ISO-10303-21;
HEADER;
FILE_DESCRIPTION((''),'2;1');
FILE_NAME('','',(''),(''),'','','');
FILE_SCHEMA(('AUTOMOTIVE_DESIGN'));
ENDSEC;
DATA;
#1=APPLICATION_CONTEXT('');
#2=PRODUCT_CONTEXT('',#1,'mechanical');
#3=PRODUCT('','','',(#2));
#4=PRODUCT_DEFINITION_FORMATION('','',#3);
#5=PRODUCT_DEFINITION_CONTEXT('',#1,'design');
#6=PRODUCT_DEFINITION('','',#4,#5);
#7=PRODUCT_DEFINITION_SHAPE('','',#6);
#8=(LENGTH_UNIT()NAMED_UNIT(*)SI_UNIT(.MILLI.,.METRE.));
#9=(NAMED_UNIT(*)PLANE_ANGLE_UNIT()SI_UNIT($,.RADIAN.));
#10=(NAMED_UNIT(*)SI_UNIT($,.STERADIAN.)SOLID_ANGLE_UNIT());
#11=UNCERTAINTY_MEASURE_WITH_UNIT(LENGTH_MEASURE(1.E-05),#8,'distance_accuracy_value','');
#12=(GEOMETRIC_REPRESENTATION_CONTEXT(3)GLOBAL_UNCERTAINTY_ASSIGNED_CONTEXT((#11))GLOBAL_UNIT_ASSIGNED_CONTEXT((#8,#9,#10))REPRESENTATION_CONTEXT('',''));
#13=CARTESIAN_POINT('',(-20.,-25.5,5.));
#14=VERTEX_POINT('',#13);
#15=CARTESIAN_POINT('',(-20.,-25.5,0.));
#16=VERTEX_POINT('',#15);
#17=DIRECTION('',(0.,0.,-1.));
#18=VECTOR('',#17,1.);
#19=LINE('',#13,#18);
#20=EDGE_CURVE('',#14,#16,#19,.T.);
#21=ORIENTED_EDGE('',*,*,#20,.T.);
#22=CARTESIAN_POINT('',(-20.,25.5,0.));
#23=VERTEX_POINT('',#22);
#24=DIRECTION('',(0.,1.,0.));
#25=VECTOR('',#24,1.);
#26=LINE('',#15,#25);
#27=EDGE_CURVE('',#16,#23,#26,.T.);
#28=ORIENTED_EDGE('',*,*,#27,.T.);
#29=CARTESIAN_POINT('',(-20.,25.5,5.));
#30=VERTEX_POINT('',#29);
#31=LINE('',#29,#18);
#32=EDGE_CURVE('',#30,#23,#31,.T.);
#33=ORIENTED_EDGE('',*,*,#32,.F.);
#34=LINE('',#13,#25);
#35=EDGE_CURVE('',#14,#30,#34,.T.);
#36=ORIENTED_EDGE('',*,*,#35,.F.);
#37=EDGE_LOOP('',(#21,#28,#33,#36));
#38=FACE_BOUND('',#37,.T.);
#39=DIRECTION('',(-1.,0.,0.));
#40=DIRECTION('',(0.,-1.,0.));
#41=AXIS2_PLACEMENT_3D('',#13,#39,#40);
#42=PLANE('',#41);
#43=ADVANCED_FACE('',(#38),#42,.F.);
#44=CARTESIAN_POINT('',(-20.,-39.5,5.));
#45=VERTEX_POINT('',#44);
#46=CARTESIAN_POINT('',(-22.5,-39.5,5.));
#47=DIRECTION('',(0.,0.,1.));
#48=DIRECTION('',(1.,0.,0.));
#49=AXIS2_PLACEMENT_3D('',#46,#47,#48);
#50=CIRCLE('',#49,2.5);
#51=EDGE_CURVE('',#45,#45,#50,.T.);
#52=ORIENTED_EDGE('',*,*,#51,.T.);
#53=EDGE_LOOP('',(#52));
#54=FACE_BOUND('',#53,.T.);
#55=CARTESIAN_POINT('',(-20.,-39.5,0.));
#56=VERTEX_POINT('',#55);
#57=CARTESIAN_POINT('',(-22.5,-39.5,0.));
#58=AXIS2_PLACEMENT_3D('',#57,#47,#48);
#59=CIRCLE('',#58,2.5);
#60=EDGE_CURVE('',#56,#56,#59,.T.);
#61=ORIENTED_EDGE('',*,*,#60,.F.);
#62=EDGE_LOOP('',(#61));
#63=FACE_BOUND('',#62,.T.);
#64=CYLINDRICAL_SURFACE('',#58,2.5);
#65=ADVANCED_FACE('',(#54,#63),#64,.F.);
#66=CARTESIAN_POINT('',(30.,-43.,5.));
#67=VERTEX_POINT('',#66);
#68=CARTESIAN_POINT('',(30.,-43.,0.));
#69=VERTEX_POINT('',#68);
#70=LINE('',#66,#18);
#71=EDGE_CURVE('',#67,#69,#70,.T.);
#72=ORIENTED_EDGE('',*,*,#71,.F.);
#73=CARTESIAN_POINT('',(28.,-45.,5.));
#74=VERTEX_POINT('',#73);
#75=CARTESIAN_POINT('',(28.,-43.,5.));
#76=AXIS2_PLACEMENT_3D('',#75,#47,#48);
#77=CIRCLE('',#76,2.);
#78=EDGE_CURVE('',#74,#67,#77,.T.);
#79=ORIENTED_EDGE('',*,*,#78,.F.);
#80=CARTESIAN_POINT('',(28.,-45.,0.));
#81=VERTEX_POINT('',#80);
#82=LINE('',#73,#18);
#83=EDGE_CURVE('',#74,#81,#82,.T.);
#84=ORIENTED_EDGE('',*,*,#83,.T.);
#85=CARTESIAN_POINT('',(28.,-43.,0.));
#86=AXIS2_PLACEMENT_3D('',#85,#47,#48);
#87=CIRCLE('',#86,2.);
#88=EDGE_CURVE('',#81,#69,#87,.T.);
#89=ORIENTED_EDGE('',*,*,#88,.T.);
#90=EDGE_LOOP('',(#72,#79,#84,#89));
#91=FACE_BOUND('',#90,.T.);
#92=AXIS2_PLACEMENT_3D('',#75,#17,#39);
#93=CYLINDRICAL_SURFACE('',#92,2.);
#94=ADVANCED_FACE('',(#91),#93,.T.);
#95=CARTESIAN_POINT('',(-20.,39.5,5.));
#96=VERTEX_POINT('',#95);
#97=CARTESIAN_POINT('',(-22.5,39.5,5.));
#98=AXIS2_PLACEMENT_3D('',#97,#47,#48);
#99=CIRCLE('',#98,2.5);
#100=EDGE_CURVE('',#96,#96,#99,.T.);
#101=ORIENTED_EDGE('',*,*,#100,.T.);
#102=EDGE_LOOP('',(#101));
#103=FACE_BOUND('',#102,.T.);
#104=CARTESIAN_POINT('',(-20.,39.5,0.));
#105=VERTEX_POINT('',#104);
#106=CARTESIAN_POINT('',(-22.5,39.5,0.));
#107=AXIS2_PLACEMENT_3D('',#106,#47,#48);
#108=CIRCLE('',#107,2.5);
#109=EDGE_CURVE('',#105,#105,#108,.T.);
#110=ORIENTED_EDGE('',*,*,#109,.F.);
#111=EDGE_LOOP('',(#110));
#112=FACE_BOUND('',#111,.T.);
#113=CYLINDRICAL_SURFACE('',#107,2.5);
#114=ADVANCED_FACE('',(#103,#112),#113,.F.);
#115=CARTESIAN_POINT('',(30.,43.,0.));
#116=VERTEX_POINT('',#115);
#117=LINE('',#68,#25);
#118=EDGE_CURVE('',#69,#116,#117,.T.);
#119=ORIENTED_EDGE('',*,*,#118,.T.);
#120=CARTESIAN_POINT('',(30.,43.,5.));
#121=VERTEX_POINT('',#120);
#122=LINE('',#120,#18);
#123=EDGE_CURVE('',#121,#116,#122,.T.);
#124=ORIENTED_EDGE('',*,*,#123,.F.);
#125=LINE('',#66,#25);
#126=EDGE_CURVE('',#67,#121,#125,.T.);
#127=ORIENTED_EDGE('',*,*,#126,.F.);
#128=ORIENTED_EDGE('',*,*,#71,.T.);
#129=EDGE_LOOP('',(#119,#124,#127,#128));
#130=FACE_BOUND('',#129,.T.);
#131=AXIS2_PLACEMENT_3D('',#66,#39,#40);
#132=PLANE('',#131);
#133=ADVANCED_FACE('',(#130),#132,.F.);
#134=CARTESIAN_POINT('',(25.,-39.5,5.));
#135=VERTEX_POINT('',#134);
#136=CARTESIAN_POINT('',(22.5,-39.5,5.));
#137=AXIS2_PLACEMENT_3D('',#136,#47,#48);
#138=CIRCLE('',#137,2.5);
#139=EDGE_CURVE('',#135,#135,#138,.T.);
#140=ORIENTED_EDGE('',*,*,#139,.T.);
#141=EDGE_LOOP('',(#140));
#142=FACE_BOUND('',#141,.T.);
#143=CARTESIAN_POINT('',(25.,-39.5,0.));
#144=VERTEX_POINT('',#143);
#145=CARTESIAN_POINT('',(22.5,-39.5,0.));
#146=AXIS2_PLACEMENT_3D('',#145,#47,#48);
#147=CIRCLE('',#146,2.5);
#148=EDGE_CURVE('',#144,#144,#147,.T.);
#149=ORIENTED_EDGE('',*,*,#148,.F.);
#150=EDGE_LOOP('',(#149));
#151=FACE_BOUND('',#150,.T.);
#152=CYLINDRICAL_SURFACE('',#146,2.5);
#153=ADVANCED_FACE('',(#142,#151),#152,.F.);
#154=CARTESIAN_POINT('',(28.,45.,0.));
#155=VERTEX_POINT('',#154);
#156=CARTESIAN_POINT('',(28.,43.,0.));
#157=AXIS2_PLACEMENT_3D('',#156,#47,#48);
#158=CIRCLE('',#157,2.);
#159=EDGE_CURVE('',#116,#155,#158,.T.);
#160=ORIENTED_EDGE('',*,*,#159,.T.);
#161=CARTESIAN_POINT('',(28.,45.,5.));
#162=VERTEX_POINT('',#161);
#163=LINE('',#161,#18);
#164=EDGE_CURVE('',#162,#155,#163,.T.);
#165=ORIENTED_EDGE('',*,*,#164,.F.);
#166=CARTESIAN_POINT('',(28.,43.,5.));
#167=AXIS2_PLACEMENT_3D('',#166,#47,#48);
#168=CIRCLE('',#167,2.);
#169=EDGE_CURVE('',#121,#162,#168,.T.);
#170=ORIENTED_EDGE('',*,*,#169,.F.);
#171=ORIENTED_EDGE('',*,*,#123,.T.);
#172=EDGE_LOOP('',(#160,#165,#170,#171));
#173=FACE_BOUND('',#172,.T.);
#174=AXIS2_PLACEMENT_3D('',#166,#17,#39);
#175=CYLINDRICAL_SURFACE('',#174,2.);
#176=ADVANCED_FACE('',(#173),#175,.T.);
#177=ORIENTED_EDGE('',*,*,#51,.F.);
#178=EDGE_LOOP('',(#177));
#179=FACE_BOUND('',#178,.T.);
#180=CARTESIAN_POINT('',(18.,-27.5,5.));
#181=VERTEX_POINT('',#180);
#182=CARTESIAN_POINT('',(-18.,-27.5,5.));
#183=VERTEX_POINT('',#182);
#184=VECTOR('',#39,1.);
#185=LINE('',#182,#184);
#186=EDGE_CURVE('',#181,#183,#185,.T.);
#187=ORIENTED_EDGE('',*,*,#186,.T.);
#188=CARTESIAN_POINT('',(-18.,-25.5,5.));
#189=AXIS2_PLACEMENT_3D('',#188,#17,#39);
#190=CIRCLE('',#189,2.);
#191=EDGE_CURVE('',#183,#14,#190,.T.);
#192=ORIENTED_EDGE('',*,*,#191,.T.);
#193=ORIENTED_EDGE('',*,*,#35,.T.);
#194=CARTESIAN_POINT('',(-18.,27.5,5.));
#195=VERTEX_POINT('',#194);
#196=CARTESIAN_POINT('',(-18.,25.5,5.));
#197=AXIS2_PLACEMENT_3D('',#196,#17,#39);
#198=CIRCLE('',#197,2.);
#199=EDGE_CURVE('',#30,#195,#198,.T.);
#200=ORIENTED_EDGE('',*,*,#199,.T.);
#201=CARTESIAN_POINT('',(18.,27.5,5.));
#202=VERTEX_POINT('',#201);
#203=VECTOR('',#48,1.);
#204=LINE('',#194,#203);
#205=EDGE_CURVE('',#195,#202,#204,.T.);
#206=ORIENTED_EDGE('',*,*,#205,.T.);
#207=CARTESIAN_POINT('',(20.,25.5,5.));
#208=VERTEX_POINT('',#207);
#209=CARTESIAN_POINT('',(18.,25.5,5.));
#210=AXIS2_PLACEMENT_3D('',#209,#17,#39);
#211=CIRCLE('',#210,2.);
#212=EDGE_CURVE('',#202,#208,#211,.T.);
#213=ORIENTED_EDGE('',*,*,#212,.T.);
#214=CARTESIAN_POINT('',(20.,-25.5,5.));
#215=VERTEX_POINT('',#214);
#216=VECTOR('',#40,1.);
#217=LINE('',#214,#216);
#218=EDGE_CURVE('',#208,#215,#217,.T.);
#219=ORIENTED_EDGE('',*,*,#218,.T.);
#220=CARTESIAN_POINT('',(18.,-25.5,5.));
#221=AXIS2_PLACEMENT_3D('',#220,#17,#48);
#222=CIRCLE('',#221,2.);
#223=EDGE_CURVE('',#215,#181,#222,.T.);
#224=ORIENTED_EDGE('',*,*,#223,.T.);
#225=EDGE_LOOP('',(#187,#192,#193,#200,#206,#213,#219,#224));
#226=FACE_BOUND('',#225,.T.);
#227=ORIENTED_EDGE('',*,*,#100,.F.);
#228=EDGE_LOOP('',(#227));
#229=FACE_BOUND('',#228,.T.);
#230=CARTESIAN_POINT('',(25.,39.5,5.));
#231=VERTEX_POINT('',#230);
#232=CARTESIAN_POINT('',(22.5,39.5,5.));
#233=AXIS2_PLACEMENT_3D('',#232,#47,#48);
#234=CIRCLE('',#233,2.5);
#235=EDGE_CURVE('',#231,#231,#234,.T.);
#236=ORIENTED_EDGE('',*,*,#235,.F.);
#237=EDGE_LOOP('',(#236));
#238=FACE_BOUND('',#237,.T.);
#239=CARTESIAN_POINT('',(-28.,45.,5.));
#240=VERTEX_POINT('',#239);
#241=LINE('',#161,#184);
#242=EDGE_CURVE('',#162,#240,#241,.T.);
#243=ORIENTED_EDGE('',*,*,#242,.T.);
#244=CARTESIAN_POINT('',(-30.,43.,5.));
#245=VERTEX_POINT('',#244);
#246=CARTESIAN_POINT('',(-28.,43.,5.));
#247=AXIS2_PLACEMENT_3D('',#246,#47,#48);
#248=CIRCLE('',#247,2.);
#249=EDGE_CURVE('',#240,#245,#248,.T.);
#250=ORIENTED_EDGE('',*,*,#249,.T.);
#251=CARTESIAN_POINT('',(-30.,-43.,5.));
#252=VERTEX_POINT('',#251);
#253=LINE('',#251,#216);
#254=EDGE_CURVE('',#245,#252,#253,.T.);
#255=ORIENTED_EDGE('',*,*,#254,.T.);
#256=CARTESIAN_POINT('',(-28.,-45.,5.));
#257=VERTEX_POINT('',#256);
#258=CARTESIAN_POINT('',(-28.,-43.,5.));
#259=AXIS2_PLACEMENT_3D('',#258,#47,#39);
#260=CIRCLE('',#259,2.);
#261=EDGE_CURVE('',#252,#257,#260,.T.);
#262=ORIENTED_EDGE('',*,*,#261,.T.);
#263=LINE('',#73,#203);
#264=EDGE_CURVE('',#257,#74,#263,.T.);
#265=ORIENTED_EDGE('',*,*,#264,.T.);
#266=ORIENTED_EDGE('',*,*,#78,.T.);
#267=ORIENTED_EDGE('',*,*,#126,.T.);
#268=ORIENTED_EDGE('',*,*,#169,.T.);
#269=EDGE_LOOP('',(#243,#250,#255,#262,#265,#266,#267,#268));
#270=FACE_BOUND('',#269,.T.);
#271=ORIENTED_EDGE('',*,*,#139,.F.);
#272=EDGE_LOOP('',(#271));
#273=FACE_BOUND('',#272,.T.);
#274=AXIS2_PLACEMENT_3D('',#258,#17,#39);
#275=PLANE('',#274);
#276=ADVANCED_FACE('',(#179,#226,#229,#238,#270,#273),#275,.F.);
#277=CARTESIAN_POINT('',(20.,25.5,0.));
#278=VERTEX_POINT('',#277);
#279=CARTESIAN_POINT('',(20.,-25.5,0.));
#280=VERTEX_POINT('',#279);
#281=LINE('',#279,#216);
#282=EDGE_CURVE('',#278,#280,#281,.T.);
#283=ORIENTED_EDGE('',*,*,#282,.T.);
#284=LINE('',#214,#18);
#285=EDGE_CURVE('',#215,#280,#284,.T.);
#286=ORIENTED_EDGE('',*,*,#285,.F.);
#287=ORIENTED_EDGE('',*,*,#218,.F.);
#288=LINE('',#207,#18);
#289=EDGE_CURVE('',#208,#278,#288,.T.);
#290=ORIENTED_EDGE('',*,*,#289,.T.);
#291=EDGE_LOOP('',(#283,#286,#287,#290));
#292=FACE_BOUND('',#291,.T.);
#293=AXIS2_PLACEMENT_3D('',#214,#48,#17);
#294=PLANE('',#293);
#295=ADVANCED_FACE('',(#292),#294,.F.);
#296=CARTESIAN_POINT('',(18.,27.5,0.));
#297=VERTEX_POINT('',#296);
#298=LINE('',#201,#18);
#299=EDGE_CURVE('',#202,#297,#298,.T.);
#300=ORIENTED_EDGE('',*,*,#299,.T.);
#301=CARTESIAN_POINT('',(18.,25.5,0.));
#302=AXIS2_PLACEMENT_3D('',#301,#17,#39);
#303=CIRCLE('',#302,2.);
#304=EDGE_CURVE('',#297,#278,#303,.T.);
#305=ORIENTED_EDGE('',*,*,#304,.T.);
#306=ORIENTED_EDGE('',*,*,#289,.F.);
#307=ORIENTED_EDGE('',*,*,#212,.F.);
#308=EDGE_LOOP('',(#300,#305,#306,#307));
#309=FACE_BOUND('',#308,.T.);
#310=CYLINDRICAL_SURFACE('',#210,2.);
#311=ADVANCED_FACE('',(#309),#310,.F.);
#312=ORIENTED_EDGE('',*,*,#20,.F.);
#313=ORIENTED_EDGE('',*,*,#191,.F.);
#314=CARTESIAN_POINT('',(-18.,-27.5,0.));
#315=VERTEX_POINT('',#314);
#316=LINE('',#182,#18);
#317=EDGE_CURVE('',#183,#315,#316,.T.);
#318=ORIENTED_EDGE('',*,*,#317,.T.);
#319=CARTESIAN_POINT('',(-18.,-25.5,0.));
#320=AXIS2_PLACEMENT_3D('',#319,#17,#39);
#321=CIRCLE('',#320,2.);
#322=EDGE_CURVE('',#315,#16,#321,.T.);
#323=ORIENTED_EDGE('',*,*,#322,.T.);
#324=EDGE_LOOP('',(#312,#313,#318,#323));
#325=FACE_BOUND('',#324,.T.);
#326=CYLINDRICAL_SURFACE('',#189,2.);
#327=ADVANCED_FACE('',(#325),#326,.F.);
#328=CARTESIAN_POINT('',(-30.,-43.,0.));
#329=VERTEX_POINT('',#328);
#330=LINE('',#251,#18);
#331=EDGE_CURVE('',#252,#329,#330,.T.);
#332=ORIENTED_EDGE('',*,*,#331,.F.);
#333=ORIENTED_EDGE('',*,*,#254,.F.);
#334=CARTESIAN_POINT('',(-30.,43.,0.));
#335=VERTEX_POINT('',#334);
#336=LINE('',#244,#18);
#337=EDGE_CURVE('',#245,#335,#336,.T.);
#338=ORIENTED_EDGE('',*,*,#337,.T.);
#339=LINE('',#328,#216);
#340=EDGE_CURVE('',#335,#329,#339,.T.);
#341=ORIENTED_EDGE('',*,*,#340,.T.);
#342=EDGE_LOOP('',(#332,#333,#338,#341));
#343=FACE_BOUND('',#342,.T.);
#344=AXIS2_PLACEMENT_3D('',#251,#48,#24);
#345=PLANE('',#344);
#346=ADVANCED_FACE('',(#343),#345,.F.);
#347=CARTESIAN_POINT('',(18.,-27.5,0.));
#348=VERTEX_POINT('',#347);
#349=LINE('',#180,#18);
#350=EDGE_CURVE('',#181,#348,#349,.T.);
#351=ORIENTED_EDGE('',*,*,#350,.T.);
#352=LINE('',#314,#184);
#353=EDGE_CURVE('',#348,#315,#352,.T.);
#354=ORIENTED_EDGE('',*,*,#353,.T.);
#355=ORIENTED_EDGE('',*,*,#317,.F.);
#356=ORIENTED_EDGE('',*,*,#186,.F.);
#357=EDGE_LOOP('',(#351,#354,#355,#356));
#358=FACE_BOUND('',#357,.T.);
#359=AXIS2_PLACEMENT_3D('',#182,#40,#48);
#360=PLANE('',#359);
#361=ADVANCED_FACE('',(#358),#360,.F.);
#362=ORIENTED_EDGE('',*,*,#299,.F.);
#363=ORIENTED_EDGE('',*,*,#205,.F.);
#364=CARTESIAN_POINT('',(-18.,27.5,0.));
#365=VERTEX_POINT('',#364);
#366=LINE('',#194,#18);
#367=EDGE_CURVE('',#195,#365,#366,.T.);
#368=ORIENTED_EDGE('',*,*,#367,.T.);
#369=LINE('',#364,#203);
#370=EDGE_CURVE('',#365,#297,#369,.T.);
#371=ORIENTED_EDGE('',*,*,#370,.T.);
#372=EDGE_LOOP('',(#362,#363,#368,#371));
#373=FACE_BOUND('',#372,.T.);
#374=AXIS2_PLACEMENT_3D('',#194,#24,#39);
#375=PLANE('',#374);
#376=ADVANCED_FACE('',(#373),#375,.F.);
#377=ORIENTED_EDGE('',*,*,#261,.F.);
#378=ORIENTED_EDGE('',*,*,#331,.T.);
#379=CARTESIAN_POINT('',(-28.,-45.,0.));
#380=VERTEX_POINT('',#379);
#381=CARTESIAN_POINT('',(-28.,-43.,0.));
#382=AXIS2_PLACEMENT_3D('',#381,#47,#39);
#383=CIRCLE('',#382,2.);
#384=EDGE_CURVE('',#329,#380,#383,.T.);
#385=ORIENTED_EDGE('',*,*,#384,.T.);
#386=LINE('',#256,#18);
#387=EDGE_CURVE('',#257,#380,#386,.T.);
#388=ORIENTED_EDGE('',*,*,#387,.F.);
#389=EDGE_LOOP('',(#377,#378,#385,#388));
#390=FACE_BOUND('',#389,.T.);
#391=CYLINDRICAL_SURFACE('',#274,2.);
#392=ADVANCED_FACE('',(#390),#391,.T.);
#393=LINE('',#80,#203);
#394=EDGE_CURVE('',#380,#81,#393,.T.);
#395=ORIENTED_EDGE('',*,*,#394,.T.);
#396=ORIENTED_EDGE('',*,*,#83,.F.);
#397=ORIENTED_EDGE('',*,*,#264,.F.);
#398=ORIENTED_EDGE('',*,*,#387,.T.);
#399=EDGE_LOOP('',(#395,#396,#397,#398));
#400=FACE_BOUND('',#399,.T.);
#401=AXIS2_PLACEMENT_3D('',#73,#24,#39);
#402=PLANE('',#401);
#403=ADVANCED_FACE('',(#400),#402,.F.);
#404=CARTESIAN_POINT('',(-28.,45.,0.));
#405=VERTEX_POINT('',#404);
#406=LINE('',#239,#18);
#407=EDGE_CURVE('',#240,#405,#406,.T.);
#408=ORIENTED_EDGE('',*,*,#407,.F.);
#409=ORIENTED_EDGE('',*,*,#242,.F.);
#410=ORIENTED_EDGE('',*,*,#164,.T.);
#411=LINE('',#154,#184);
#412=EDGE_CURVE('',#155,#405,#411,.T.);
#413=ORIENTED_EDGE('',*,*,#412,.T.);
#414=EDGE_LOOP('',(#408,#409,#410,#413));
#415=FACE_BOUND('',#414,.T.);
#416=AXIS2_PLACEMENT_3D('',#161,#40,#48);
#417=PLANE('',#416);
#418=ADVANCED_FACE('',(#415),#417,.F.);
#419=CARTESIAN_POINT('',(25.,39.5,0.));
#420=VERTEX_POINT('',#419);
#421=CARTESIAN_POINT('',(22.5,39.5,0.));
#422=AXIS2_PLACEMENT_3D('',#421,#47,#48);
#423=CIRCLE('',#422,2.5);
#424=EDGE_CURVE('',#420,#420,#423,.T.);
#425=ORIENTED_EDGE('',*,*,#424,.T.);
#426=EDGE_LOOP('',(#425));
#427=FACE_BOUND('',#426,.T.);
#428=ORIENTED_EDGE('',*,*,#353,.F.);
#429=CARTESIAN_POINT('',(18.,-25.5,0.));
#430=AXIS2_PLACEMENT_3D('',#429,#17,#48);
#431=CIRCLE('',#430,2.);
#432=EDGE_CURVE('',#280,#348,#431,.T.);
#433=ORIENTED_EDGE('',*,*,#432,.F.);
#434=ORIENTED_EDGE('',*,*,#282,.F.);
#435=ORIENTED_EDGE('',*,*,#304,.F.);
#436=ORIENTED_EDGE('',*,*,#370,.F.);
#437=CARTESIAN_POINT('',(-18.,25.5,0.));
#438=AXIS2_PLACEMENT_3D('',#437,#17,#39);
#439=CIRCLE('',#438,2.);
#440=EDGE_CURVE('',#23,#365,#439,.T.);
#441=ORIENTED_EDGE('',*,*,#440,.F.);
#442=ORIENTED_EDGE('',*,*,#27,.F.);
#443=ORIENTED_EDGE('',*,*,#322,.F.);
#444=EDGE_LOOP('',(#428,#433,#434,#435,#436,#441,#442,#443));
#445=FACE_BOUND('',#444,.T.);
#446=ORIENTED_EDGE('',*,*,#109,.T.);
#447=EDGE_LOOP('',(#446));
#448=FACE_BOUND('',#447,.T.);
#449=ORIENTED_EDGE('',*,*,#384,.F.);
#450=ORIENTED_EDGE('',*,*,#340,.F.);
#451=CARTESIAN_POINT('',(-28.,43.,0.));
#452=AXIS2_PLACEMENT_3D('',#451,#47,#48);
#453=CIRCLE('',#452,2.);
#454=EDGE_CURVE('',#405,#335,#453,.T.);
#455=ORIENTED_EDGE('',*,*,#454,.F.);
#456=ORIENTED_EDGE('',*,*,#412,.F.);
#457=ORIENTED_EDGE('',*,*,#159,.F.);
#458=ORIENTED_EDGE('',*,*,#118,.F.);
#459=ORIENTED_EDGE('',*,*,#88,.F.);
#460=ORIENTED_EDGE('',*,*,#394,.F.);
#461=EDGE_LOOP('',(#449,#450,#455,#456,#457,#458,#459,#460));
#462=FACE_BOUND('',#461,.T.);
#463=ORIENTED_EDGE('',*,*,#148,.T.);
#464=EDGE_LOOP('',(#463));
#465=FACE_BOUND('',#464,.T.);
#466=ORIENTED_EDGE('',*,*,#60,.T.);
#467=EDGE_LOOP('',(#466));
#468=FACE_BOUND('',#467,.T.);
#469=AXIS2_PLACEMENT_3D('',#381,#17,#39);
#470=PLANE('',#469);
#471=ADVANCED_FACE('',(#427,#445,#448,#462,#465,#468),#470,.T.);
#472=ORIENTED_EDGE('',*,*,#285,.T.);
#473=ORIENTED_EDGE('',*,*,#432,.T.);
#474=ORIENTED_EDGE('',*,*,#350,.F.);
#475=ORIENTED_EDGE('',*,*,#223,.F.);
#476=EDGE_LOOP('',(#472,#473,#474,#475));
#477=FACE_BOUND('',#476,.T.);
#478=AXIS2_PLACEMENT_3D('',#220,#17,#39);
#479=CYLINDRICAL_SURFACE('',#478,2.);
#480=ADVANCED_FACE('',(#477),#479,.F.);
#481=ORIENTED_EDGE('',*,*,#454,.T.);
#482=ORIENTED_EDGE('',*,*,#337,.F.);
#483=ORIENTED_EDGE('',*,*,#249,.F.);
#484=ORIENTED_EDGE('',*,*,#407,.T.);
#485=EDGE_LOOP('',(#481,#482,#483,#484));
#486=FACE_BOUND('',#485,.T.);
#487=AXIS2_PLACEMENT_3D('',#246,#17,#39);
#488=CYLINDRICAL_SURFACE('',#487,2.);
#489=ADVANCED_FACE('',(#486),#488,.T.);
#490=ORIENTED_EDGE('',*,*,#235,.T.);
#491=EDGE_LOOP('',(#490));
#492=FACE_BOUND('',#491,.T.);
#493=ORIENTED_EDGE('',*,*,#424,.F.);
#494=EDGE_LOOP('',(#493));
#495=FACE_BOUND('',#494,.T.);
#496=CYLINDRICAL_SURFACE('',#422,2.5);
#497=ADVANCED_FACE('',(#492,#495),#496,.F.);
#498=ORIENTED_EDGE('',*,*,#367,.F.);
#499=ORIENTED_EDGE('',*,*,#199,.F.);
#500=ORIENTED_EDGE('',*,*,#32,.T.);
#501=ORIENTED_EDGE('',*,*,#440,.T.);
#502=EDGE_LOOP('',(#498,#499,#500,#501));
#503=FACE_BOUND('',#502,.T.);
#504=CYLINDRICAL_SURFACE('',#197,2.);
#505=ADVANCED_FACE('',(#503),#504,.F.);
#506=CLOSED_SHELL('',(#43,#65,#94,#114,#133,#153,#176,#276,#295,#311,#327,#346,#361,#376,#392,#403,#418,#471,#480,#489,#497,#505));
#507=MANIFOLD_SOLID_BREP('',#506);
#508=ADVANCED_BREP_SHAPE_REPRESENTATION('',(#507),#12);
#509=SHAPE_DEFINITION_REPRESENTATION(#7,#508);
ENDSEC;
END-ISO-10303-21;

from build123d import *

# Parameters (mm, degrees)
BOSS_EXTRU_1_DEPTH      = 5
ENL_V_MAT_EXTRU_1_DEPTH = 55.313902456
ESQUISSE3_R             = 2.5
ENL_V_MAT_EXTRU_2_DEPTH = 55.313902456


with BuildPart() as part:
    # Esquisse1 → Boss.-Extru.1 (new body)
    with BuildSketch(Plane.XY):
        with BuildLine():
            Line((28, -45), (-28, -45))
            ThreePointArc((-28, -45), (-29.414213562, -44.414213562), (-30, -43))
            Line((-30, -43), (-30, 43))
            ThreePointArc((-30, 43), (-29.414213562, 44.414213562), (-28, 45))
            Line((-28, 45), (28, 45))
            ThreePointArc((28, 45), (29.414213562, 44.414213562), (30, 43))
            Line((30, 43), (30, -43))
            ThreePointArc((30, -43), (29.414213562, -44.414213562), (28, -45))
        make_face()
    extrude(amount=BOSS_EXTRU_1_DEPTH)

    # Esquisse2 → Enlèv. mat.-Extru.1 (cut, through all)
    with BuildSketch(Plane(origin=(0, 0, 0), x_dir=(-1, 0, 0), z_dir=(0, 0, -1))):
        with BuildLine():
            Line((18, -27.5), (-18, -27.5))
            ThreePointArc((-18, -27.5), (-19.414213562, -26.914213562), (-20, -25.5))
            Line((-20, -25.5), (-20, 25.5))
            ThreePointArc((-20, 25.5), (-19.414213562, 26.914213562), (-18, 27.5))
            Line((-18, 27.5), (18, 27.5))
            ThreePointArc((18, 27.5), (19.414213562, 26.914213562), (20, 25.5))
            Line((20, 25.5), (20, -25.5))
            ThreePointArc((20, -25.5), (19.414213562, -26.914213562), (18, -27.5))
        make_face()
    extrude(amount=-ENL_V_MAT_EXTRU_1_DEPTH, mode=Mode.SUBTRACT)

    # Esquisse3 → Enlèv. mat.-Extru.2 (cut, through all)
    with BuildSketch(Plane.XY.offset(5)):
        with Locations((-22.5, -39.5)):
            Circle(ESQUISSE3_R)
        with Locations((22.5, -39.5)):
            Circle(ESQUISSE3_R)
        with Locations((-22.5, 39.5)):
            Circle(ESQUISSE3_R)
        with Locations((22.5, 39.5)):
            Circle(ESQUISSE3_R)
    extrude(amount=-ENL_V_MAT_EXTRU_2_DEPTH, mode=Mode.SUBTRACT)


solid = part.part
